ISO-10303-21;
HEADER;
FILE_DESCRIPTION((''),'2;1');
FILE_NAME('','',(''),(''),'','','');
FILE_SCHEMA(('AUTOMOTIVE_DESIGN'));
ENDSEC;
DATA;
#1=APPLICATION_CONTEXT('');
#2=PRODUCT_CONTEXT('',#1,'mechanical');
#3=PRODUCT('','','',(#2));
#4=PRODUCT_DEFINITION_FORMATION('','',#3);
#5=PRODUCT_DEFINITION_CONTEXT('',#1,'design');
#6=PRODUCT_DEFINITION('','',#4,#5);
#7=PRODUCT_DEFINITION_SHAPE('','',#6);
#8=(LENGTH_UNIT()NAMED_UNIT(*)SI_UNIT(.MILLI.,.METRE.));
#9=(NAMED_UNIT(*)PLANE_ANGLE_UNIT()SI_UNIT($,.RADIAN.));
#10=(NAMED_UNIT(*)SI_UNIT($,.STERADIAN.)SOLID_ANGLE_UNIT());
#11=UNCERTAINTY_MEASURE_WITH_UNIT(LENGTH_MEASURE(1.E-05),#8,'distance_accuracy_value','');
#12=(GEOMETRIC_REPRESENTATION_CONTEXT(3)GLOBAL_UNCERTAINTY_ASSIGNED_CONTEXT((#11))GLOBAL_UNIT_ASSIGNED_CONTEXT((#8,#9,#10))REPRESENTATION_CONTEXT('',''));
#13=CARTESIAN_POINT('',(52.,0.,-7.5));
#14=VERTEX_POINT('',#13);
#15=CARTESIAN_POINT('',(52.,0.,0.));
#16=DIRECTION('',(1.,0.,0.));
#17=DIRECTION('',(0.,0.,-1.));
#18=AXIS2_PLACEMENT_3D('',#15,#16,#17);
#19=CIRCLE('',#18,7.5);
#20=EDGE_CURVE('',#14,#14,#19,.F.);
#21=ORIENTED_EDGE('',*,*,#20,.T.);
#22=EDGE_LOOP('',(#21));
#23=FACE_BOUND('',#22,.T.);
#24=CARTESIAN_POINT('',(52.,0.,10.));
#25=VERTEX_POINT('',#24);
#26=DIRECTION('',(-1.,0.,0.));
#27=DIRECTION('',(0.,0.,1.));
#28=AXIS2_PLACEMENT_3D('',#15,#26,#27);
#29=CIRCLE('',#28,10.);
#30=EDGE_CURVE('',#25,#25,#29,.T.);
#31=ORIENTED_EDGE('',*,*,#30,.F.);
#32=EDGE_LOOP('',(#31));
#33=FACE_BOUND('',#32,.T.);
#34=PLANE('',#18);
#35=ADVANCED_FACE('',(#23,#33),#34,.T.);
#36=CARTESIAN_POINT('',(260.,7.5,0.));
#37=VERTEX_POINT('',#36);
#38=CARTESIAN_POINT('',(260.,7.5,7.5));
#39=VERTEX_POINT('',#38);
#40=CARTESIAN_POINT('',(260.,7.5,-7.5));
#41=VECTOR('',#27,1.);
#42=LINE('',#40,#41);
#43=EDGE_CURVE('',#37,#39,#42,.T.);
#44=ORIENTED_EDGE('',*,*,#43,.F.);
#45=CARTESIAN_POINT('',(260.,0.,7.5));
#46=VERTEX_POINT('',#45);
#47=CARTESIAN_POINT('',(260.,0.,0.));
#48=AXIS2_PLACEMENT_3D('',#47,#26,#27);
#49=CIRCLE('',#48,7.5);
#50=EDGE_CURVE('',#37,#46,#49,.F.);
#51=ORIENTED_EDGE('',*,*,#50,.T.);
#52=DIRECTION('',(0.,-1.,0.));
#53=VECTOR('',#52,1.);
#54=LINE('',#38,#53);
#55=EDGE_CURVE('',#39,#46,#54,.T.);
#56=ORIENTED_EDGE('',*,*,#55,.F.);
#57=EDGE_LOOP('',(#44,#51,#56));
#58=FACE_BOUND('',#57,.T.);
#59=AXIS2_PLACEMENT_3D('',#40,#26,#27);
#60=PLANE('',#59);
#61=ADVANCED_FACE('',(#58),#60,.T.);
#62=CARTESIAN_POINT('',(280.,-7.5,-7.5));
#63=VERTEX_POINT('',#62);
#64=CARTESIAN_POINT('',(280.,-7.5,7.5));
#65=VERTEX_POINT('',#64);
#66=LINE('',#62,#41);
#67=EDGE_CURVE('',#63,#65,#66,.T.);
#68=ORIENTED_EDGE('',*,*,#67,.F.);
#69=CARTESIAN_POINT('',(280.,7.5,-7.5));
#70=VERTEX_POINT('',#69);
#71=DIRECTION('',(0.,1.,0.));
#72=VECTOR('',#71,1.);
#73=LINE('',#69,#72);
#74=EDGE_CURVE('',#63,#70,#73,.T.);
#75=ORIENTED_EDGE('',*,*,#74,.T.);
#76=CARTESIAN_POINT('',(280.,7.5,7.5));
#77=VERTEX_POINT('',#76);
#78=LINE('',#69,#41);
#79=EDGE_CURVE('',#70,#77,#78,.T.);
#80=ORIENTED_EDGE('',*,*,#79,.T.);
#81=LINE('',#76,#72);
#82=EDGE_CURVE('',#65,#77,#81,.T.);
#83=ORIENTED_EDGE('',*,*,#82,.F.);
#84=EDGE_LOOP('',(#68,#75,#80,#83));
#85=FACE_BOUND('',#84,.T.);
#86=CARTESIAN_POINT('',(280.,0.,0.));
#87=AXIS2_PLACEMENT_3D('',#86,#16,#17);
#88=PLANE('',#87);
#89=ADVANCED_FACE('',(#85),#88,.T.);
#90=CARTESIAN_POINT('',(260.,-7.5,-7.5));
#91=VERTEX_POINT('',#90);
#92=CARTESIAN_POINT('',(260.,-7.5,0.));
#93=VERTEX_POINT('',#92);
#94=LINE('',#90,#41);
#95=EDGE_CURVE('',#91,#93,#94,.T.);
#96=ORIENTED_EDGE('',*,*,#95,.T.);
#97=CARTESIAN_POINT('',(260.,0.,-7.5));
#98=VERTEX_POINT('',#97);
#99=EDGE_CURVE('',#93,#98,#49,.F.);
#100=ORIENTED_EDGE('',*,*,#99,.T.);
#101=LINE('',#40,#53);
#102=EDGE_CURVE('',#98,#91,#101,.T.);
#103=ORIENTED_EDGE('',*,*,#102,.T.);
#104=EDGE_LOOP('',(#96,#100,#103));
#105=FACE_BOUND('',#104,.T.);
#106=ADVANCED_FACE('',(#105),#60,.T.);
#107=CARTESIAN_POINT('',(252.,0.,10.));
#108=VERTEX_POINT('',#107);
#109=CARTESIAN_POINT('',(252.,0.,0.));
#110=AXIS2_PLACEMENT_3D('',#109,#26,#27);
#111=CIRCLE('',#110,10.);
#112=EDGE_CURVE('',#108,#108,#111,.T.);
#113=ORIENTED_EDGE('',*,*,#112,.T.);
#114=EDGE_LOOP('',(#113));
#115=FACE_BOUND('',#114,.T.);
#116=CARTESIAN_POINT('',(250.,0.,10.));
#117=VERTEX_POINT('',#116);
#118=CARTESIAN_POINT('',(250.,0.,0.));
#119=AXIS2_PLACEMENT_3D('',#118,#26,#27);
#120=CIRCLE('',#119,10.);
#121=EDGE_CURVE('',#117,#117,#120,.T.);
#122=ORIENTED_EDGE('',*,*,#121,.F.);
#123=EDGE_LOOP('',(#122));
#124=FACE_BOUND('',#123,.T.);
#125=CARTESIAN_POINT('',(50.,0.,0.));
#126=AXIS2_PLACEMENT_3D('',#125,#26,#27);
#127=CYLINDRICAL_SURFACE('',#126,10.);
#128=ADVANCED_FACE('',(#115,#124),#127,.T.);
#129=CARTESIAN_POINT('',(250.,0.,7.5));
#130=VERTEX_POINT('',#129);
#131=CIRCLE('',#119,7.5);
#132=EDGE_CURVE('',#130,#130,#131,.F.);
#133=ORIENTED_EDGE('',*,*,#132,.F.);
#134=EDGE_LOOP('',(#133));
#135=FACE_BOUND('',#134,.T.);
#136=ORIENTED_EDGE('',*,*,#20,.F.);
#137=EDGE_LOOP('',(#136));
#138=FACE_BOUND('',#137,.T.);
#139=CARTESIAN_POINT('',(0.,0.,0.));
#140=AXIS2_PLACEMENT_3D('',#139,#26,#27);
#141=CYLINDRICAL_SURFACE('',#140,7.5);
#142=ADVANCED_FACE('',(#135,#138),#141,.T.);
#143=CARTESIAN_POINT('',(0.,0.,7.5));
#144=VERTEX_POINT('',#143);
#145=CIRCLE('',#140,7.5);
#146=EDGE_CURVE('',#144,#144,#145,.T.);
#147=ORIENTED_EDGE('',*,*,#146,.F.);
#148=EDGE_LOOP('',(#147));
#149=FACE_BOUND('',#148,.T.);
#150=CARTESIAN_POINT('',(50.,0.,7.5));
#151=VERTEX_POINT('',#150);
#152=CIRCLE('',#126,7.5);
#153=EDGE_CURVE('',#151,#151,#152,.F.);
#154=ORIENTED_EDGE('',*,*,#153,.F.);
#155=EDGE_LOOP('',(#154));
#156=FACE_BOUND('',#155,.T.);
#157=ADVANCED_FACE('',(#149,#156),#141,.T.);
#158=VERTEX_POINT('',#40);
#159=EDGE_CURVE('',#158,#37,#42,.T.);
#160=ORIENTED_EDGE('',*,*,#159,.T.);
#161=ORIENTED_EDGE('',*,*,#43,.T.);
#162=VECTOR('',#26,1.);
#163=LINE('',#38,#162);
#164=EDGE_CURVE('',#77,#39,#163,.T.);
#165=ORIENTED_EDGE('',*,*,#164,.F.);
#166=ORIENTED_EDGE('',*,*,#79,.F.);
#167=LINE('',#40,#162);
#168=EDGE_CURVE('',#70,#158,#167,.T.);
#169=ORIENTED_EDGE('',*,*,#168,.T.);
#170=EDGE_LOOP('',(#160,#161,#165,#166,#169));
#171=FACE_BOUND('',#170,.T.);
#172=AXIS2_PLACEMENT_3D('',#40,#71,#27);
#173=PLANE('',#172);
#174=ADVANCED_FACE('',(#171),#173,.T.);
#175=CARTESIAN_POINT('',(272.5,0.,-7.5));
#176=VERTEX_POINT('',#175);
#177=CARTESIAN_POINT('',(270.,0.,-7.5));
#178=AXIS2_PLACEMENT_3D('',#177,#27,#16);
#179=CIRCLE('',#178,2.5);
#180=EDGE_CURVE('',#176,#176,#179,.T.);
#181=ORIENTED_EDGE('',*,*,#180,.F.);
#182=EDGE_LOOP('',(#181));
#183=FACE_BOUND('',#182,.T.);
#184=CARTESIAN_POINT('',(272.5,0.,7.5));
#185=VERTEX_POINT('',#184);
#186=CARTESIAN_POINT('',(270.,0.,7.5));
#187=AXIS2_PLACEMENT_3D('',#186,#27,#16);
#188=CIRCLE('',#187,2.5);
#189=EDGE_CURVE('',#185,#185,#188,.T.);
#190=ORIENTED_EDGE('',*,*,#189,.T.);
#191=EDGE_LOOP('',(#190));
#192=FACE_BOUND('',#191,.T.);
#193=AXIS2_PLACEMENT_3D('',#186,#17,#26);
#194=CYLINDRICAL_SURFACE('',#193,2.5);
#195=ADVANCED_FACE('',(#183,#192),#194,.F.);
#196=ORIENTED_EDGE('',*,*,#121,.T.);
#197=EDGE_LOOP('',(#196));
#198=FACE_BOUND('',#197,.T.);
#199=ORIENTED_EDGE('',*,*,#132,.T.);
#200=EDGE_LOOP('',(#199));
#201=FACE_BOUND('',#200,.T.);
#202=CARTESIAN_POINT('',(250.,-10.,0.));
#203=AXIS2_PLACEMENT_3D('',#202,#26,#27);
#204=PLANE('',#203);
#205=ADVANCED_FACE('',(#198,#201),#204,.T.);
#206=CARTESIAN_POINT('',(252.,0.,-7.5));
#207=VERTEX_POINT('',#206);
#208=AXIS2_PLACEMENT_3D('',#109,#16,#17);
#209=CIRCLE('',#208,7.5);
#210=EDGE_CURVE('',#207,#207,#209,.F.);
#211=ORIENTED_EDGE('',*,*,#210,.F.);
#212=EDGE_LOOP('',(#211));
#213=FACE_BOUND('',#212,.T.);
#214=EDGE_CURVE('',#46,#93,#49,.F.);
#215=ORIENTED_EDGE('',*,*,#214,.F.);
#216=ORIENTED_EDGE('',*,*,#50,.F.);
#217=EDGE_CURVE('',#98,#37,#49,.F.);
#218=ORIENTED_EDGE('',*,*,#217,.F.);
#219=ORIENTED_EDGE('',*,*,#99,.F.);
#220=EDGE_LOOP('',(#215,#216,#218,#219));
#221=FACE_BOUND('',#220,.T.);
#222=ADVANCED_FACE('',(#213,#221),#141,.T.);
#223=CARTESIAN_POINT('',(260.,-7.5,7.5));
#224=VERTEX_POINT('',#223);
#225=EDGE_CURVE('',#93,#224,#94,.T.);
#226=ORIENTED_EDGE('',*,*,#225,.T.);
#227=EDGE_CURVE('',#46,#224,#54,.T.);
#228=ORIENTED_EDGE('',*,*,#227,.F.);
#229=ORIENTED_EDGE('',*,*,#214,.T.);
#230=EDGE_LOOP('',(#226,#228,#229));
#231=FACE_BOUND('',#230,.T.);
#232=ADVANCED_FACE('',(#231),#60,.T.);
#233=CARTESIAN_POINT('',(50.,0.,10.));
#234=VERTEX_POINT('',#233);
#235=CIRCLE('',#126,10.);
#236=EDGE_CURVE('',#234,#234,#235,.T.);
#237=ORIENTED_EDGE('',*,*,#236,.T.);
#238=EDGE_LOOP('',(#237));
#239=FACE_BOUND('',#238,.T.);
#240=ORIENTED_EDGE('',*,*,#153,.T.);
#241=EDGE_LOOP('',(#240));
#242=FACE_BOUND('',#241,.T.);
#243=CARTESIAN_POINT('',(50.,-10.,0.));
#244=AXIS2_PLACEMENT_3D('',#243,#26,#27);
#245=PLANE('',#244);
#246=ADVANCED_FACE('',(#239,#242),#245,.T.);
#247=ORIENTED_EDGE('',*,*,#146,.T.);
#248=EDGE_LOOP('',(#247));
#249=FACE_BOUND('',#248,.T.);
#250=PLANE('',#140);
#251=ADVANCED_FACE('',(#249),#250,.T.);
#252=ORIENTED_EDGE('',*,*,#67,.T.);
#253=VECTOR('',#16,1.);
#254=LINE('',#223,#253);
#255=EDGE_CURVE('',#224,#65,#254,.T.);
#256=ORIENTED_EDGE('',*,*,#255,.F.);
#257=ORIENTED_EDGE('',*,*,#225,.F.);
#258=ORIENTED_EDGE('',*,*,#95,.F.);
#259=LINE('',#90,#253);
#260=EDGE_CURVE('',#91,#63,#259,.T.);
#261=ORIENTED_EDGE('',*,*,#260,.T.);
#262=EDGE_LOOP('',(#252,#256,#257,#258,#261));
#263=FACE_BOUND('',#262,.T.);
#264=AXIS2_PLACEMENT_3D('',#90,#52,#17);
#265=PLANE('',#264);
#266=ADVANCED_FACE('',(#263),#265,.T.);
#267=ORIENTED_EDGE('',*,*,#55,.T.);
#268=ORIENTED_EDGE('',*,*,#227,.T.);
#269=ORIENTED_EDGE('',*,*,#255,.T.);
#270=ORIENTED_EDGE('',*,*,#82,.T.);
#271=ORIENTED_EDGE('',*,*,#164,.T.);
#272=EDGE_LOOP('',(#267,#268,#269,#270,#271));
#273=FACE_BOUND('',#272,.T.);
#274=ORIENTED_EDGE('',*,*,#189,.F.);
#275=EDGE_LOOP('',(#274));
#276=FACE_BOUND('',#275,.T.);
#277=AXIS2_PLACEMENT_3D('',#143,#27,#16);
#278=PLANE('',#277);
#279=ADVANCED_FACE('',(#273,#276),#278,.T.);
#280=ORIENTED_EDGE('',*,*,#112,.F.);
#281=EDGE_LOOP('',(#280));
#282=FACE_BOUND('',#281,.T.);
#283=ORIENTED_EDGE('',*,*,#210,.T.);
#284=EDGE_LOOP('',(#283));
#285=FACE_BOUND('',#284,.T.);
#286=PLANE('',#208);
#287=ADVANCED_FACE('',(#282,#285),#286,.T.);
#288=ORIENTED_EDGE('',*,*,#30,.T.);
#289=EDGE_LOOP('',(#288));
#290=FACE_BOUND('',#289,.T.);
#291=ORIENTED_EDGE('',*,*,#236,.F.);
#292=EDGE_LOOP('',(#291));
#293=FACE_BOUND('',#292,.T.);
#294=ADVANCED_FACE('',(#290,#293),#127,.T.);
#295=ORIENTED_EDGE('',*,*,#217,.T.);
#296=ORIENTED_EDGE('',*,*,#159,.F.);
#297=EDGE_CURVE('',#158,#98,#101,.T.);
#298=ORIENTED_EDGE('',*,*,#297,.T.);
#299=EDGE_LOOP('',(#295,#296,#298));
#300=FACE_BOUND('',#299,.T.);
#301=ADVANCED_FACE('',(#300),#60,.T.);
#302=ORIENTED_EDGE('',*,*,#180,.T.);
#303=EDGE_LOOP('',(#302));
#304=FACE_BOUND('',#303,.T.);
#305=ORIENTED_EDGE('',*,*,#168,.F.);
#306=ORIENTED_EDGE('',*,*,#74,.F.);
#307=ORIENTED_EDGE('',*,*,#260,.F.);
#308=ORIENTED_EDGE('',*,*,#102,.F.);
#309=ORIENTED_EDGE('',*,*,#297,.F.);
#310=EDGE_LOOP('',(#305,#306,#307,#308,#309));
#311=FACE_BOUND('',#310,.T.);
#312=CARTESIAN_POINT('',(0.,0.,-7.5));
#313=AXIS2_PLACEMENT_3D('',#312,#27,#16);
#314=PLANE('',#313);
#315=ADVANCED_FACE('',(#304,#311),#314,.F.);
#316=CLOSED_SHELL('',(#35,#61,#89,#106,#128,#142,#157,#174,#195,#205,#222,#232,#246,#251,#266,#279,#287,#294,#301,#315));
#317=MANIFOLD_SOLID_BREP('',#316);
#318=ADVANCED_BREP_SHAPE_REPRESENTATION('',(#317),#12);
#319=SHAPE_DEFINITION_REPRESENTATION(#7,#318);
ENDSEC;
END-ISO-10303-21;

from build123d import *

# Parameters (mm, degrees)
ESBO_O1_W                     = 280
ESBO_O1_H                     = 7.5
ESBO_O3_W                     = 2
ESBO_O3_H                     = 10
RESSALTO_EXTRUS_O1_DEPTH      = 7.5
RESSALTO_EXTRUS_O1_DEPTH_BACK = 7.5
ESBO_O4_W                     = 20
ESBO_O4_H                     = 15
CORTE_EXTRUS_O1_DEPTH         = 7.5
CORTE_EXTRUS_O1_DEPTH_BACK    = 7.5
ESBO_O2_R                     = 2.5


with BuildPart() as part:
    # Esboço1 → Revolução1 (revolve)
    with BuildSketch(Plane.XY):
        with Locations((140, -3.75)):
            Rectangle(ESBO_O1_W, ESBO_O1_H)
    revolve(axis=Axis((0, 0, 0), (1, 0, 0)))

    # Esboço3 → Revolução2 (revolve)
    with BuildSketch(Plane.XY):
        with Locations((251, -5)):
            Rectangle(ESBO_O3_W, ESBO_O3_H)
        with Locations((51, -5)):
            Rectangle(ESBO_O3_W, ESBO_O3_H)
    revolve(axis=Axis((50, 0, 0), (1, 0, 0)))

    # Esboço4 → Ressalto-extrusão1 (add, two sides: drawn at the far end of the back side and taken through both)
    with BuildSketch(Plane.XY.offset(-RESSALTO_EXTRUS_O1_DEPTH_BACK)):
        with Locations((270, 0)):
            Rectangle(ESBO_O4_W, ESBO_O4_H)
    extrude(amount=RESSALTO_EXTRUS_O1_DEPTH + RESSALTO_EXTRUS_O1_DEPTH_BACK)

    # Esboço2 → Corte-extrusão1 (cut, two sides: drawn at the far end of the back side and taken through both)
    with BuildSketch(Plane.XY.offset(-CORTE_EXTRUS_O1_DEPTH_BACK)):
        with Locations((270, 0)):
            Circle(ESBO_O2_R)
    extrude(amount=CORTE_EXTRUS_O1_DEPTH + CORTE_EXTRUS_O1_DEPTH_BACK, mode=Mode.SUBTRACT)


solid = part.part
